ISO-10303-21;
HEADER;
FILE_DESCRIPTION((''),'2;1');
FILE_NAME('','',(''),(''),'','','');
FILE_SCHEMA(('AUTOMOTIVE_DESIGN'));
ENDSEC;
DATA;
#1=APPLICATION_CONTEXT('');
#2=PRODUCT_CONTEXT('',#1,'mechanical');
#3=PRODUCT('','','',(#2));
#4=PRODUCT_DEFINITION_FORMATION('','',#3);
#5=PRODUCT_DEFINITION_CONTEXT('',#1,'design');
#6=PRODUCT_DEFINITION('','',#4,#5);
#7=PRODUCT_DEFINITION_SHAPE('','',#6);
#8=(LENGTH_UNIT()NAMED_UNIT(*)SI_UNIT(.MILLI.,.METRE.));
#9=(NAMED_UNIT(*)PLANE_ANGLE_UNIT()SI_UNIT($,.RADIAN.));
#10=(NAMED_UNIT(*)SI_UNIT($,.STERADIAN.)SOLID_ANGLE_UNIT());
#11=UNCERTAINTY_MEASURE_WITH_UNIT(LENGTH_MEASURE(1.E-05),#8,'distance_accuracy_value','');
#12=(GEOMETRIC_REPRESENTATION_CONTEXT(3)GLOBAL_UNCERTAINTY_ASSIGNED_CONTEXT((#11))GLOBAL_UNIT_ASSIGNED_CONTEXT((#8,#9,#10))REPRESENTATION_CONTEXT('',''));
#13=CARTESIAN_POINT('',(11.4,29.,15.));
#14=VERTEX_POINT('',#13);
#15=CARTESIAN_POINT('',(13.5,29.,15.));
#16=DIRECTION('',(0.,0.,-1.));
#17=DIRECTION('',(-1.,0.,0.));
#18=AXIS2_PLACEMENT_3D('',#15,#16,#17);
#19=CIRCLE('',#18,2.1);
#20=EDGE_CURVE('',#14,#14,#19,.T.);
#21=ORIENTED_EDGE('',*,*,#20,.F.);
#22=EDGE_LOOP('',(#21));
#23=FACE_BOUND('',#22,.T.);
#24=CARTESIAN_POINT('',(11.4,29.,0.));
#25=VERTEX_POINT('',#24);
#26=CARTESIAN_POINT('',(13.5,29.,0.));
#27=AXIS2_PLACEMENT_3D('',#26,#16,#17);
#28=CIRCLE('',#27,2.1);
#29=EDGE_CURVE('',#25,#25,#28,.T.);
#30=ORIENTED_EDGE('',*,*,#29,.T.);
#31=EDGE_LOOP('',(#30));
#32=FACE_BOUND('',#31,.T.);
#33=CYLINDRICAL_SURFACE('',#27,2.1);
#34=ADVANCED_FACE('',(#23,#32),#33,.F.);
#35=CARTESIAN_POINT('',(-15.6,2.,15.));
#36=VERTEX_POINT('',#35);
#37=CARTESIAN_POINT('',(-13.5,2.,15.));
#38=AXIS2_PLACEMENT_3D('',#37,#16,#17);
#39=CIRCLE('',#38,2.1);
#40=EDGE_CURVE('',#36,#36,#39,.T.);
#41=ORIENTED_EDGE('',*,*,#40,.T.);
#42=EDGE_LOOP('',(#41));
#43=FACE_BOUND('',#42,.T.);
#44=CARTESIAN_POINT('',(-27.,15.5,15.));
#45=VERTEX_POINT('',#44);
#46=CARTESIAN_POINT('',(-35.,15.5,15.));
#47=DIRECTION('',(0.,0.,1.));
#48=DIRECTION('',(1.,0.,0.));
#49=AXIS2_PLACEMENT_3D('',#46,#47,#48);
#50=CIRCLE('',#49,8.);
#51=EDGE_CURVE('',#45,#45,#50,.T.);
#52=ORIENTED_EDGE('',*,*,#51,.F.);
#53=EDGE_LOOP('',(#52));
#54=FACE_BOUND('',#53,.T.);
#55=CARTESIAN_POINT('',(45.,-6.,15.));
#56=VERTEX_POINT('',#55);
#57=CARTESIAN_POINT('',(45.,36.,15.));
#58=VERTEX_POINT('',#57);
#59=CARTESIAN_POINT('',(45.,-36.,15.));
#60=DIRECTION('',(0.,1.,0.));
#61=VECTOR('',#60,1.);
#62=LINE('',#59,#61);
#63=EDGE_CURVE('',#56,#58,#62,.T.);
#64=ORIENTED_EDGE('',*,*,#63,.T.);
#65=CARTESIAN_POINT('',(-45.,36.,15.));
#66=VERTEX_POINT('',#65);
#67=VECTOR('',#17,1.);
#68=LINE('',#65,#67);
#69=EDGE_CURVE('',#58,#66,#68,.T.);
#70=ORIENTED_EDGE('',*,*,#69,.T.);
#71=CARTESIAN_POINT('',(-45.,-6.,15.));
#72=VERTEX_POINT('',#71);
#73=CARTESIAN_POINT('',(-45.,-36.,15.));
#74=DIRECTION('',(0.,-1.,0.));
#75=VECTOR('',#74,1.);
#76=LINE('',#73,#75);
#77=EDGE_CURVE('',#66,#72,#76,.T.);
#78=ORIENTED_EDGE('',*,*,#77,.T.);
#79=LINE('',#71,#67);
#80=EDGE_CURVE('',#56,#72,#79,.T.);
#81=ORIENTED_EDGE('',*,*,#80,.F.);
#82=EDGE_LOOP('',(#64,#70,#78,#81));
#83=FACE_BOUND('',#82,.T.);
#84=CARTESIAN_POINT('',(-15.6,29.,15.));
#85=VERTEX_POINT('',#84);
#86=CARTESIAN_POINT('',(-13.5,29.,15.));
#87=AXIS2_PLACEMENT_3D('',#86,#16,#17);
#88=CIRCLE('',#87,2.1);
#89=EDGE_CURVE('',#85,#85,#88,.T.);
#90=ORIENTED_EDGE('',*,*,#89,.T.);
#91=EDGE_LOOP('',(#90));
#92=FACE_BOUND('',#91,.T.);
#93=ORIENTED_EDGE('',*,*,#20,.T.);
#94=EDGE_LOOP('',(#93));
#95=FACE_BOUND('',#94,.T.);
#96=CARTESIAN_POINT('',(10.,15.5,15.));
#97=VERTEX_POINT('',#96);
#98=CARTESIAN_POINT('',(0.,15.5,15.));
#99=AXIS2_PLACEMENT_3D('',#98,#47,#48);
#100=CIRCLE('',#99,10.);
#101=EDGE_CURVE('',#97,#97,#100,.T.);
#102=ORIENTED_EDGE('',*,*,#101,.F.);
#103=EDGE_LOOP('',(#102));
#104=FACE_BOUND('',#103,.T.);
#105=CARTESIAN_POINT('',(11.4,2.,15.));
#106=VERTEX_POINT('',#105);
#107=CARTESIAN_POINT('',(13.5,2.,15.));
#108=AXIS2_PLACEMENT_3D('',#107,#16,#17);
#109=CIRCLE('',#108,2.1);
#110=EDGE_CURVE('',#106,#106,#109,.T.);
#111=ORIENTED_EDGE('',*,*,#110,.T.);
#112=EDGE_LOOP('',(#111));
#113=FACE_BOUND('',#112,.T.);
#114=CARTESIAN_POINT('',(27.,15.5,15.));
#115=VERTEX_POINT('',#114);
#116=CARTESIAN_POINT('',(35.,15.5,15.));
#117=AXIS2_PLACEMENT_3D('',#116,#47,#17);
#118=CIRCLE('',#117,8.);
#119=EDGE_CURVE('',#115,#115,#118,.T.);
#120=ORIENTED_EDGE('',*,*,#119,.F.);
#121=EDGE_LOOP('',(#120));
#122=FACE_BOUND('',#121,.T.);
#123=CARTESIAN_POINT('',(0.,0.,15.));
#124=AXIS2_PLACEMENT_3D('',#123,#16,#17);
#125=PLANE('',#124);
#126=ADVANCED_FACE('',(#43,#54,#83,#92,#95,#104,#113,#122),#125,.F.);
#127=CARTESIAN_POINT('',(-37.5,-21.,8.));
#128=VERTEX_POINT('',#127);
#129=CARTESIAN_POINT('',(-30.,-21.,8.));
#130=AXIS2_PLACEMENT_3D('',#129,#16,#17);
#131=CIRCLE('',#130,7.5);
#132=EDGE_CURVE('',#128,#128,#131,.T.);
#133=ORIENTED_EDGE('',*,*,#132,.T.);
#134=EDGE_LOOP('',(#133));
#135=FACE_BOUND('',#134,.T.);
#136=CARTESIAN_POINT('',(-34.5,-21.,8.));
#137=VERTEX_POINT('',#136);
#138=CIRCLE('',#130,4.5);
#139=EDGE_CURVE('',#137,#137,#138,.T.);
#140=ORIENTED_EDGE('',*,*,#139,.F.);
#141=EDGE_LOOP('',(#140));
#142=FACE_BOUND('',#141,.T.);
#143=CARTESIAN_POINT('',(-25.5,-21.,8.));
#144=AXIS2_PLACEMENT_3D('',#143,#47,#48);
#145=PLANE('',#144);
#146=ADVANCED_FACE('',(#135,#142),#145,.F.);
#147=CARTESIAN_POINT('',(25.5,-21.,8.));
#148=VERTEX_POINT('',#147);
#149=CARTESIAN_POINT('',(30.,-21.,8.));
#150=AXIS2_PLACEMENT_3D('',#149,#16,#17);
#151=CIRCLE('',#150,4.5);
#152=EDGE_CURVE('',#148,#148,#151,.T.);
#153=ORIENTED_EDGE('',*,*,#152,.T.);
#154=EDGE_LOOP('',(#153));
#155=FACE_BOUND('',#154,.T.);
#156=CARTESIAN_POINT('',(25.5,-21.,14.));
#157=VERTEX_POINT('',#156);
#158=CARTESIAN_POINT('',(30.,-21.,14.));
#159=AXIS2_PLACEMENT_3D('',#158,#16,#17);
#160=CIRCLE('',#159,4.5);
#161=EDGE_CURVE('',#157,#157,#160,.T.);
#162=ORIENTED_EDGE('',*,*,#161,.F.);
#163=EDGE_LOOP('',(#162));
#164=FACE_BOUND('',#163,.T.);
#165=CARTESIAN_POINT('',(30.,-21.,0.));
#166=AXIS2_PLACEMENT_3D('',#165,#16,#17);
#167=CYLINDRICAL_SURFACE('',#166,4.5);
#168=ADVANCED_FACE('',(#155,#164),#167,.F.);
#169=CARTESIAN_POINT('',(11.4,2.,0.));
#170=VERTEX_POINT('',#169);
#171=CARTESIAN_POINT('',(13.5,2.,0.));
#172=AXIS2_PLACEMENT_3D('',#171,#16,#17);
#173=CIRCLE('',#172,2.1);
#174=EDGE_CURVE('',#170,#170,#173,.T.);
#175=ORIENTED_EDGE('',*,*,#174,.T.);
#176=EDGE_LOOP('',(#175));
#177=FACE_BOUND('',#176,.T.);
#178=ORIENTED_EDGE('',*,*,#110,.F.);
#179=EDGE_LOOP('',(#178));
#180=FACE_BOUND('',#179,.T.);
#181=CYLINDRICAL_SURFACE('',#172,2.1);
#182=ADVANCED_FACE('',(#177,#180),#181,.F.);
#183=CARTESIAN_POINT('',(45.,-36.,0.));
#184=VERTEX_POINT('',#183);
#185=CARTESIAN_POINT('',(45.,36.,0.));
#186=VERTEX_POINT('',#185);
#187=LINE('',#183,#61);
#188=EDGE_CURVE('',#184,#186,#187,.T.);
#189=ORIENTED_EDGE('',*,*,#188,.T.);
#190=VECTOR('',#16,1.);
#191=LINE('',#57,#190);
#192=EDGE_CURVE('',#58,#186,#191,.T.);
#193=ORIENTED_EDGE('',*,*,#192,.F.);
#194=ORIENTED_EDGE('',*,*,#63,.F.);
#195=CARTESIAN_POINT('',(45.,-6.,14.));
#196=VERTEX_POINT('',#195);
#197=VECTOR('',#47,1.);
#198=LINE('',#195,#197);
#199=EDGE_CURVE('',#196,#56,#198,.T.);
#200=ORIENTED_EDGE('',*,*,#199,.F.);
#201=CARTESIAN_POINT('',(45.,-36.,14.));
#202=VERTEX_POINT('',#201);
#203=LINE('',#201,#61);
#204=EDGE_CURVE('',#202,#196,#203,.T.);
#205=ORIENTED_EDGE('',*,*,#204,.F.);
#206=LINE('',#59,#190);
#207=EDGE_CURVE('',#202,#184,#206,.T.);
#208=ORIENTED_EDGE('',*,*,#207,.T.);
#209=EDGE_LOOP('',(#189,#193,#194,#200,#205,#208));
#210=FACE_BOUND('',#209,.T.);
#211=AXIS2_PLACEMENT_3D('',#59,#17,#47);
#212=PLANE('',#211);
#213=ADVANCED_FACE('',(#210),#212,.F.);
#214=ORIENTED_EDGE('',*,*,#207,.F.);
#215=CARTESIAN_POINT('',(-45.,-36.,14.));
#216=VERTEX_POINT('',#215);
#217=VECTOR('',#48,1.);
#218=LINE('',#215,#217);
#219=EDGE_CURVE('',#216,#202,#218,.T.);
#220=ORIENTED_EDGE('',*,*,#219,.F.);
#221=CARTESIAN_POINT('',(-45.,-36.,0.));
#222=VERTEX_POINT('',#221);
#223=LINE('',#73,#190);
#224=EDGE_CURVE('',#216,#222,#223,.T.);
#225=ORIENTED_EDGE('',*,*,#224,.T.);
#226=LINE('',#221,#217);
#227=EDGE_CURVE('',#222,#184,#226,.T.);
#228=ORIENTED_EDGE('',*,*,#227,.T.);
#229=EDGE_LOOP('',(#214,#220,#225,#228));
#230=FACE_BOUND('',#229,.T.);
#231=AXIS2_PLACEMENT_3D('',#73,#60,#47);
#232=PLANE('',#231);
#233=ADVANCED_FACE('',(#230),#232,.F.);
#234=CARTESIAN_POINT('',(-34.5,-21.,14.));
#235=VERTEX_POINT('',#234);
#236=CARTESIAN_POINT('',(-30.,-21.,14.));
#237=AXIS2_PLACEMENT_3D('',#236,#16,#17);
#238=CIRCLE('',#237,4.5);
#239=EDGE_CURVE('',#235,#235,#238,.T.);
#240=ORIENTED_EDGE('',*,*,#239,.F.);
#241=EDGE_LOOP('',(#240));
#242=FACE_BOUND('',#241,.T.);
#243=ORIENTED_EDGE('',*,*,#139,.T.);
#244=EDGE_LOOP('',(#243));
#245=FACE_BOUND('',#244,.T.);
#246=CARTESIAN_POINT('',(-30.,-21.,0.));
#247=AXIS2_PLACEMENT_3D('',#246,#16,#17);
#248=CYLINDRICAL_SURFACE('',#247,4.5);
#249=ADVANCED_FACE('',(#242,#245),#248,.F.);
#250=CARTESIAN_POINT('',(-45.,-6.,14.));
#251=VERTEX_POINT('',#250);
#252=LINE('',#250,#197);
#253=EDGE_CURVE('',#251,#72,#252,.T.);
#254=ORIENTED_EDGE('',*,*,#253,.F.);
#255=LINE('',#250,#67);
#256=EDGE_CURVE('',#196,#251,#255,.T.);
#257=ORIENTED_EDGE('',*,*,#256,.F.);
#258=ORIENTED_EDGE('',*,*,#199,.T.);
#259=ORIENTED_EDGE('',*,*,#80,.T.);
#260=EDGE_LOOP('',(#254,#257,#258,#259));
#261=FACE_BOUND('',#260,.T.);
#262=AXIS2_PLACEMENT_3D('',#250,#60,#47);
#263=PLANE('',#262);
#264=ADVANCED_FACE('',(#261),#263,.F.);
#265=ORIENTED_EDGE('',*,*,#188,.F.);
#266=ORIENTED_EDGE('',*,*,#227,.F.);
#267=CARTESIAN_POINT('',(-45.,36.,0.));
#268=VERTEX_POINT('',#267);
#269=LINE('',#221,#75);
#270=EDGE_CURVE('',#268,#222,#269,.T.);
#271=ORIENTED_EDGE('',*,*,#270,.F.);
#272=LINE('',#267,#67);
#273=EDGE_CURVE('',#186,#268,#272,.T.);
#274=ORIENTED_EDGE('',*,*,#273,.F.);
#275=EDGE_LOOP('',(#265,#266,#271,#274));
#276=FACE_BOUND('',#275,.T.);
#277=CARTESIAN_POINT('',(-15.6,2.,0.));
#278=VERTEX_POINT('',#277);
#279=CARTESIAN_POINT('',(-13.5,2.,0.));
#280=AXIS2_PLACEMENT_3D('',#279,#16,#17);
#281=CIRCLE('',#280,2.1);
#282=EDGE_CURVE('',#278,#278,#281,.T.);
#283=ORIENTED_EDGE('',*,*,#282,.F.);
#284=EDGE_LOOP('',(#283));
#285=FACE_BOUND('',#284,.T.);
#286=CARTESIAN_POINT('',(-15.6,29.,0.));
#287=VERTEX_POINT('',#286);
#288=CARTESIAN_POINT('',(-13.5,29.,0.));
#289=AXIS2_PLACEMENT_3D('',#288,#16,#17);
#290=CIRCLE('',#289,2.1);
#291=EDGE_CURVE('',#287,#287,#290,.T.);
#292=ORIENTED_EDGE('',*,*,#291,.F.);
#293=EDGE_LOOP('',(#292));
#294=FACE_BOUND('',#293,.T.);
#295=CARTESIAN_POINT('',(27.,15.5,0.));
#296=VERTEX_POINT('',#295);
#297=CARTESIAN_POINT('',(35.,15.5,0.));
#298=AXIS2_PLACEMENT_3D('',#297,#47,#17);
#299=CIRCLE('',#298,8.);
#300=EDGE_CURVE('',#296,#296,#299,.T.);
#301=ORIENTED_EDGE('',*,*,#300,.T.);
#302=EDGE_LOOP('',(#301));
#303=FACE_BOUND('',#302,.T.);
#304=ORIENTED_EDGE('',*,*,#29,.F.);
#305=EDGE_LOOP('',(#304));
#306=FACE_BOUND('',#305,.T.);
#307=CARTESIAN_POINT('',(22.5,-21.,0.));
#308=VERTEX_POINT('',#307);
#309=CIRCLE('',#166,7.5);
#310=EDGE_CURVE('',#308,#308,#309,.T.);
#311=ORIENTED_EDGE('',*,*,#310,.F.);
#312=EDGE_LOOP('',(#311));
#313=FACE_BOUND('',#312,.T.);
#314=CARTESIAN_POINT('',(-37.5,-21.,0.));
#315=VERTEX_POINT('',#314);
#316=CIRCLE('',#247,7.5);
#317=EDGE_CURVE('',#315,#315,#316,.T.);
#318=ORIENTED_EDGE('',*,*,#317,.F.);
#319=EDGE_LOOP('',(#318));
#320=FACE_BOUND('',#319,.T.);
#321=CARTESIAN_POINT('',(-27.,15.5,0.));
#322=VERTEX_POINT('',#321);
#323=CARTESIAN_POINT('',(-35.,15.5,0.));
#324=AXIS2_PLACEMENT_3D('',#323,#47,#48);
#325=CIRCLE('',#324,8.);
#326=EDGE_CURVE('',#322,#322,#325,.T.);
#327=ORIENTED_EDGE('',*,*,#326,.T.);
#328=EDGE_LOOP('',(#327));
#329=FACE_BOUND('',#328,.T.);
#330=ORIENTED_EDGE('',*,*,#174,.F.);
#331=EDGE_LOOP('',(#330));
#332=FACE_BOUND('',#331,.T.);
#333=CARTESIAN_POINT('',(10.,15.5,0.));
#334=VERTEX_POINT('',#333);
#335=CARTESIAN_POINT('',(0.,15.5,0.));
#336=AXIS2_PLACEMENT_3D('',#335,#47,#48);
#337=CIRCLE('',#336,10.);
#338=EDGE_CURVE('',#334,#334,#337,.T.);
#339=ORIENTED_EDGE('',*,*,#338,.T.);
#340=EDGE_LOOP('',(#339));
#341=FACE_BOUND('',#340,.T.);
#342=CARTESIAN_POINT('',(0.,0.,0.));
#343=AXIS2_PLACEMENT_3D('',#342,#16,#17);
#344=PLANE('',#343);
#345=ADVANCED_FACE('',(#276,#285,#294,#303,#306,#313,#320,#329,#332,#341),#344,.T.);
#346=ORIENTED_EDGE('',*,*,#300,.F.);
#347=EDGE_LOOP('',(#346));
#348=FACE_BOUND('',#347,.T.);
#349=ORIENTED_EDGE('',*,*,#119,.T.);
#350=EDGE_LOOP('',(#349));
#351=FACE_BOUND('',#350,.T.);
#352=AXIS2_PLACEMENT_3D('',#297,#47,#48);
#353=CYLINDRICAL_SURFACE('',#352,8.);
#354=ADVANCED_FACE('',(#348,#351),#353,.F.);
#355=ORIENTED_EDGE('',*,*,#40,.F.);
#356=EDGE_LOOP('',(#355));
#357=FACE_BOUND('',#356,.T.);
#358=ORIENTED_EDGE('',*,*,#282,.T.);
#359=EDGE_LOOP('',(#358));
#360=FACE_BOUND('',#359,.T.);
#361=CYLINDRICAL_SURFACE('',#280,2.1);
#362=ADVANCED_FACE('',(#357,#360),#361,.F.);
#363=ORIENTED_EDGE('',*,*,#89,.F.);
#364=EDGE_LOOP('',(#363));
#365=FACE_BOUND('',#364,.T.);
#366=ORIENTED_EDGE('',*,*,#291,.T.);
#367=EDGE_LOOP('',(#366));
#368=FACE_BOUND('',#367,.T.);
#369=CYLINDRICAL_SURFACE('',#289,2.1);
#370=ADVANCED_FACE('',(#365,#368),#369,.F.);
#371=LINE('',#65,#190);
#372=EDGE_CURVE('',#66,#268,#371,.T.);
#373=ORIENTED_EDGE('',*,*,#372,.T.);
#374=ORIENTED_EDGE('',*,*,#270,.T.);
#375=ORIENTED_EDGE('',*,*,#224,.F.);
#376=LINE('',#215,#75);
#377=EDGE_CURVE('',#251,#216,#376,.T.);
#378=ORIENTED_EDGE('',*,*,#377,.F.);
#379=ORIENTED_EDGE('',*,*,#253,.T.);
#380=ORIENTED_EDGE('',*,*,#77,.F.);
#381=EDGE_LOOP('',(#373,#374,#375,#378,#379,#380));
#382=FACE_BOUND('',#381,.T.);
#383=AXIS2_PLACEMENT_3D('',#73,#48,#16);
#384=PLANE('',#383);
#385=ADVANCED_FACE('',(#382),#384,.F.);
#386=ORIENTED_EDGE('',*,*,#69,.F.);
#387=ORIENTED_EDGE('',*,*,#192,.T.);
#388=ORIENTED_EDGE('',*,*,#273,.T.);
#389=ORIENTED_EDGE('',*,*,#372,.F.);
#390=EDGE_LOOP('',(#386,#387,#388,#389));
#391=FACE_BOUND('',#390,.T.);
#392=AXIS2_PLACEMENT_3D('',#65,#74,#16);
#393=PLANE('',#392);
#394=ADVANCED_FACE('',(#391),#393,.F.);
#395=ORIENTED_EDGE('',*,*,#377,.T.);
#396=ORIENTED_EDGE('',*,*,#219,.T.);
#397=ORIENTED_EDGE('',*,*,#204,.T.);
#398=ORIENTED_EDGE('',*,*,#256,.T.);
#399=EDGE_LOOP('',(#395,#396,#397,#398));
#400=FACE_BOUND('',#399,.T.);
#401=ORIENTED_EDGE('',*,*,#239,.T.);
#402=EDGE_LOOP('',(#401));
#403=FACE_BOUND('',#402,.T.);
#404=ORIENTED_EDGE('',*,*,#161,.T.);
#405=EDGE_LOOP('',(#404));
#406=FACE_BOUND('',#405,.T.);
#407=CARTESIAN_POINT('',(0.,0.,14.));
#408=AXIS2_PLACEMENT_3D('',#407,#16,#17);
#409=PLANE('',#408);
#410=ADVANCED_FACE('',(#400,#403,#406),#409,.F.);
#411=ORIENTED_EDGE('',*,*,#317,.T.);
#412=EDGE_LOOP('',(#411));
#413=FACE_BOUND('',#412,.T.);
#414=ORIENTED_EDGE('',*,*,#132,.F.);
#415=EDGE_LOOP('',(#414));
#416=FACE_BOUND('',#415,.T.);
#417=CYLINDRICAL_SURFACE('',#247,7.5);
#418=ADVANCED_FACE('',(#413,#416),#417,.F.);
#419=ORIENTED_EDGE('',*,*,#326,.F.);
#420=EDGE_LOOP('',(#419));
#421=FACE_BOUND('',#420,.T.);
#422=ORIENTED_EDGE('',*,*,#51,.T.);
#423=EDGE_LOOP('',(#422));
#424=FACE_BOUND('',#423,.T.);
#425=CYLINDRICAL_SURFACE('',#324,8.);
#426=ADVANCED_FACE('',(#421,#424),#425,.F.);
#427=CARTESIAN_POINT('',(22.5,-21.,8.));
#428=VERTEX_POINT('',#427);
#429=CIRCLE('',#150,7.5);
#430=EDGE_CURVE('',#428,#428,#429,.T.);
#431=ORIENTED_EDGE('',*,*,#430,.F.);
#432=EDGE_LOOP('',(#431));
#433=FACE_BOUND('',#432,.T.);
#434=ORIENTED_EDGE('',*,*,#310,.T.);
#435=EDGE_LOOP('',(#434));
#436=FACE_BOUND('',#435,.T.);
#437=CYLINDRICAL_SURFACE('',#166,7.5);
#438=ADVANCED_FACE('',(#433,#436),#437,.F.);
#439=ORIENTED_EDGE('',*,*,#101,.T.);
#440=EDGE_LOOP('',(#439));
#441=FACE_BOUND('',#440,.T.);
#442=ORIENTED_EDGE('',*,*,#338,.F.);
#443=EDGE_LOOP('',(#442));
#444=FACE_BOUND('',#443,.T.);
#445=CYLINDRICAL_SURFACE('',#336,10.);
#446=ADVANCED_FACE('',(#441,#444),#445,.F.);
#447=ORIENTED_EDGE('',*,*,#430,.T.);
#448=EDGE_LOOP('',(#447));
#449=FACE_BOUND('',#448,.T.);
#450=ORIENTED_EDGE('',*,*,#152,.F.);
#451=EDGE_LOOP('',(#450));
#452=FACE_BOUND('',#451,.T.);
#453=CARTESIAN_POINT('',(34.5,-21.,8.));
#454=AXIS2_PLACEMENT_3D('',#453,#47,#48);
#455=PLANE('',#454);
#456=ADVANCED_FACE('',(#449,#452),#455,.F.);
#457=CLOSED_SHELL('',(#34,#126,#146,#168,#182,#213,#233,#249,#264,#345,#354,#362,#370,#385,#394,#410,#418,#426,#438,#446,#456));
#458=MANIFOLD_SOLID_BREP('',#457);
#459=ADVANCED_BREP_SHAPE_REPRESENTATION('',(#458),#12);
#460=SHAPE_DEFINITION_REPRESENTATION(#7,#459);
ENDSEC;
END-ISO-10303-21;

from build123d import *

# Parameters (mm, degrees)
SKETCH1_W                      = 90
SKETCH1_H                      = 72
BOSS_EXTRUDE1_DEPTH            = 15
SKETCH2_W                      = 90
SKETCH2_H                      = 30
CUT_EXTRUDE1_DEPTH             = 1
SKETCH4_R                      = 10
SKETCH4_R_2                    = 8
CUT_EXTRUDE3_DEPTH             = 60.548299724
CBORE_FOR_M8_SHCS1_D           = 9
CBORE_FOR_M8_SHCS1_DEPTH       = 15
CBORE_FOR_M8_SHCS1_CBORE_D     = 15
CBORE_FOR_M8_SHCS1_CBORE_DEPTH = 8
CBORE_FOR_M8_SHCS1_TIP         = 2.703872786
M5X0_8_TAPPED_HOLE1_D          = 4.2


with BuildPart() as part:
    # Sketch1 → Boss-Extrude1 (new body)
    with BuildSketch(Plane.XY):
        Rectangle(SKETCH1_W, SKETCH1_H)
    extrude(amount=BOSS_EXTRUDE1_DEPTH)

    # Sketch2 → Cut-Extrude1 (cut)
    with BuildSketch(Plane.XY.offset(15)):
        with Locations((0, -21)):
            Rectangle(SKETCH2_W, SKETCH2_H)
    extrude(amount=-CUT_EXTRUDE1_DEPTH, mode=Mode.SUBTRACT)

    # Sketch4 → Cut-Extrude3 (cut, through all)
    with BuildSketch(Plane.XY.offset(15)):
        with Locations((0, 15.5)):
            Circle(SKETCH4_R)
        with Locations((-35, 15.5)):
            Circle(SKETCH4_R_2)
        with Locations(Location((35, 15.5, 0), (0, 0, 180))):
            Circle(SKETCH4_R_2)
    extrude(amount=-CUT_EXTRUDE3_DEPTH, mode=Mode.SUBTRACT)

    # CBORE for M8 SHCS1
    with Locations(Plane(origin=(0, 0, 0), x_dir=(-1, 0, 0), z_dir=(0, 0, -1))):
        with Locations((30, -21), (-30, -21)):
            CounterBoreHole(CBORE_FOR_M8_SHCS1_D / 2, CBORE_FOR_M8_SHCS1_CBORE_D / 2, CBORE_FOR_M8_SHCS1_CBORE_DEPTH, depth=CBORE_FOR_M8_SHCS1_DEPTH)
            with Locations((0, 0, -(CBORE_FOR_M8_SHCS1_DEPTH + CBORE_FOR_M8_SHCS1_TIP / 2))):  # 118° drill point
                Cone(0, CBORE_FOR_M8_SHCS1_D / 2, CBORE_FOR_M8_SHCS1_TIP, mode=Mode.SUBTRACT)

    # M5x0.8 Tapped Hole1 (through all)
    with Locations(Plane(origin=(0, 0, 0), x_dir=(-1, 0, 0), z_dir=(0, 0, -1))):
        with Locations((13.5, 2), (13.5, 29), (-13.5, 29), (-13.5, 2)):
            Hole(M5X0_8_TAPPED_HOLE1_D / 2)


solid = part.part
